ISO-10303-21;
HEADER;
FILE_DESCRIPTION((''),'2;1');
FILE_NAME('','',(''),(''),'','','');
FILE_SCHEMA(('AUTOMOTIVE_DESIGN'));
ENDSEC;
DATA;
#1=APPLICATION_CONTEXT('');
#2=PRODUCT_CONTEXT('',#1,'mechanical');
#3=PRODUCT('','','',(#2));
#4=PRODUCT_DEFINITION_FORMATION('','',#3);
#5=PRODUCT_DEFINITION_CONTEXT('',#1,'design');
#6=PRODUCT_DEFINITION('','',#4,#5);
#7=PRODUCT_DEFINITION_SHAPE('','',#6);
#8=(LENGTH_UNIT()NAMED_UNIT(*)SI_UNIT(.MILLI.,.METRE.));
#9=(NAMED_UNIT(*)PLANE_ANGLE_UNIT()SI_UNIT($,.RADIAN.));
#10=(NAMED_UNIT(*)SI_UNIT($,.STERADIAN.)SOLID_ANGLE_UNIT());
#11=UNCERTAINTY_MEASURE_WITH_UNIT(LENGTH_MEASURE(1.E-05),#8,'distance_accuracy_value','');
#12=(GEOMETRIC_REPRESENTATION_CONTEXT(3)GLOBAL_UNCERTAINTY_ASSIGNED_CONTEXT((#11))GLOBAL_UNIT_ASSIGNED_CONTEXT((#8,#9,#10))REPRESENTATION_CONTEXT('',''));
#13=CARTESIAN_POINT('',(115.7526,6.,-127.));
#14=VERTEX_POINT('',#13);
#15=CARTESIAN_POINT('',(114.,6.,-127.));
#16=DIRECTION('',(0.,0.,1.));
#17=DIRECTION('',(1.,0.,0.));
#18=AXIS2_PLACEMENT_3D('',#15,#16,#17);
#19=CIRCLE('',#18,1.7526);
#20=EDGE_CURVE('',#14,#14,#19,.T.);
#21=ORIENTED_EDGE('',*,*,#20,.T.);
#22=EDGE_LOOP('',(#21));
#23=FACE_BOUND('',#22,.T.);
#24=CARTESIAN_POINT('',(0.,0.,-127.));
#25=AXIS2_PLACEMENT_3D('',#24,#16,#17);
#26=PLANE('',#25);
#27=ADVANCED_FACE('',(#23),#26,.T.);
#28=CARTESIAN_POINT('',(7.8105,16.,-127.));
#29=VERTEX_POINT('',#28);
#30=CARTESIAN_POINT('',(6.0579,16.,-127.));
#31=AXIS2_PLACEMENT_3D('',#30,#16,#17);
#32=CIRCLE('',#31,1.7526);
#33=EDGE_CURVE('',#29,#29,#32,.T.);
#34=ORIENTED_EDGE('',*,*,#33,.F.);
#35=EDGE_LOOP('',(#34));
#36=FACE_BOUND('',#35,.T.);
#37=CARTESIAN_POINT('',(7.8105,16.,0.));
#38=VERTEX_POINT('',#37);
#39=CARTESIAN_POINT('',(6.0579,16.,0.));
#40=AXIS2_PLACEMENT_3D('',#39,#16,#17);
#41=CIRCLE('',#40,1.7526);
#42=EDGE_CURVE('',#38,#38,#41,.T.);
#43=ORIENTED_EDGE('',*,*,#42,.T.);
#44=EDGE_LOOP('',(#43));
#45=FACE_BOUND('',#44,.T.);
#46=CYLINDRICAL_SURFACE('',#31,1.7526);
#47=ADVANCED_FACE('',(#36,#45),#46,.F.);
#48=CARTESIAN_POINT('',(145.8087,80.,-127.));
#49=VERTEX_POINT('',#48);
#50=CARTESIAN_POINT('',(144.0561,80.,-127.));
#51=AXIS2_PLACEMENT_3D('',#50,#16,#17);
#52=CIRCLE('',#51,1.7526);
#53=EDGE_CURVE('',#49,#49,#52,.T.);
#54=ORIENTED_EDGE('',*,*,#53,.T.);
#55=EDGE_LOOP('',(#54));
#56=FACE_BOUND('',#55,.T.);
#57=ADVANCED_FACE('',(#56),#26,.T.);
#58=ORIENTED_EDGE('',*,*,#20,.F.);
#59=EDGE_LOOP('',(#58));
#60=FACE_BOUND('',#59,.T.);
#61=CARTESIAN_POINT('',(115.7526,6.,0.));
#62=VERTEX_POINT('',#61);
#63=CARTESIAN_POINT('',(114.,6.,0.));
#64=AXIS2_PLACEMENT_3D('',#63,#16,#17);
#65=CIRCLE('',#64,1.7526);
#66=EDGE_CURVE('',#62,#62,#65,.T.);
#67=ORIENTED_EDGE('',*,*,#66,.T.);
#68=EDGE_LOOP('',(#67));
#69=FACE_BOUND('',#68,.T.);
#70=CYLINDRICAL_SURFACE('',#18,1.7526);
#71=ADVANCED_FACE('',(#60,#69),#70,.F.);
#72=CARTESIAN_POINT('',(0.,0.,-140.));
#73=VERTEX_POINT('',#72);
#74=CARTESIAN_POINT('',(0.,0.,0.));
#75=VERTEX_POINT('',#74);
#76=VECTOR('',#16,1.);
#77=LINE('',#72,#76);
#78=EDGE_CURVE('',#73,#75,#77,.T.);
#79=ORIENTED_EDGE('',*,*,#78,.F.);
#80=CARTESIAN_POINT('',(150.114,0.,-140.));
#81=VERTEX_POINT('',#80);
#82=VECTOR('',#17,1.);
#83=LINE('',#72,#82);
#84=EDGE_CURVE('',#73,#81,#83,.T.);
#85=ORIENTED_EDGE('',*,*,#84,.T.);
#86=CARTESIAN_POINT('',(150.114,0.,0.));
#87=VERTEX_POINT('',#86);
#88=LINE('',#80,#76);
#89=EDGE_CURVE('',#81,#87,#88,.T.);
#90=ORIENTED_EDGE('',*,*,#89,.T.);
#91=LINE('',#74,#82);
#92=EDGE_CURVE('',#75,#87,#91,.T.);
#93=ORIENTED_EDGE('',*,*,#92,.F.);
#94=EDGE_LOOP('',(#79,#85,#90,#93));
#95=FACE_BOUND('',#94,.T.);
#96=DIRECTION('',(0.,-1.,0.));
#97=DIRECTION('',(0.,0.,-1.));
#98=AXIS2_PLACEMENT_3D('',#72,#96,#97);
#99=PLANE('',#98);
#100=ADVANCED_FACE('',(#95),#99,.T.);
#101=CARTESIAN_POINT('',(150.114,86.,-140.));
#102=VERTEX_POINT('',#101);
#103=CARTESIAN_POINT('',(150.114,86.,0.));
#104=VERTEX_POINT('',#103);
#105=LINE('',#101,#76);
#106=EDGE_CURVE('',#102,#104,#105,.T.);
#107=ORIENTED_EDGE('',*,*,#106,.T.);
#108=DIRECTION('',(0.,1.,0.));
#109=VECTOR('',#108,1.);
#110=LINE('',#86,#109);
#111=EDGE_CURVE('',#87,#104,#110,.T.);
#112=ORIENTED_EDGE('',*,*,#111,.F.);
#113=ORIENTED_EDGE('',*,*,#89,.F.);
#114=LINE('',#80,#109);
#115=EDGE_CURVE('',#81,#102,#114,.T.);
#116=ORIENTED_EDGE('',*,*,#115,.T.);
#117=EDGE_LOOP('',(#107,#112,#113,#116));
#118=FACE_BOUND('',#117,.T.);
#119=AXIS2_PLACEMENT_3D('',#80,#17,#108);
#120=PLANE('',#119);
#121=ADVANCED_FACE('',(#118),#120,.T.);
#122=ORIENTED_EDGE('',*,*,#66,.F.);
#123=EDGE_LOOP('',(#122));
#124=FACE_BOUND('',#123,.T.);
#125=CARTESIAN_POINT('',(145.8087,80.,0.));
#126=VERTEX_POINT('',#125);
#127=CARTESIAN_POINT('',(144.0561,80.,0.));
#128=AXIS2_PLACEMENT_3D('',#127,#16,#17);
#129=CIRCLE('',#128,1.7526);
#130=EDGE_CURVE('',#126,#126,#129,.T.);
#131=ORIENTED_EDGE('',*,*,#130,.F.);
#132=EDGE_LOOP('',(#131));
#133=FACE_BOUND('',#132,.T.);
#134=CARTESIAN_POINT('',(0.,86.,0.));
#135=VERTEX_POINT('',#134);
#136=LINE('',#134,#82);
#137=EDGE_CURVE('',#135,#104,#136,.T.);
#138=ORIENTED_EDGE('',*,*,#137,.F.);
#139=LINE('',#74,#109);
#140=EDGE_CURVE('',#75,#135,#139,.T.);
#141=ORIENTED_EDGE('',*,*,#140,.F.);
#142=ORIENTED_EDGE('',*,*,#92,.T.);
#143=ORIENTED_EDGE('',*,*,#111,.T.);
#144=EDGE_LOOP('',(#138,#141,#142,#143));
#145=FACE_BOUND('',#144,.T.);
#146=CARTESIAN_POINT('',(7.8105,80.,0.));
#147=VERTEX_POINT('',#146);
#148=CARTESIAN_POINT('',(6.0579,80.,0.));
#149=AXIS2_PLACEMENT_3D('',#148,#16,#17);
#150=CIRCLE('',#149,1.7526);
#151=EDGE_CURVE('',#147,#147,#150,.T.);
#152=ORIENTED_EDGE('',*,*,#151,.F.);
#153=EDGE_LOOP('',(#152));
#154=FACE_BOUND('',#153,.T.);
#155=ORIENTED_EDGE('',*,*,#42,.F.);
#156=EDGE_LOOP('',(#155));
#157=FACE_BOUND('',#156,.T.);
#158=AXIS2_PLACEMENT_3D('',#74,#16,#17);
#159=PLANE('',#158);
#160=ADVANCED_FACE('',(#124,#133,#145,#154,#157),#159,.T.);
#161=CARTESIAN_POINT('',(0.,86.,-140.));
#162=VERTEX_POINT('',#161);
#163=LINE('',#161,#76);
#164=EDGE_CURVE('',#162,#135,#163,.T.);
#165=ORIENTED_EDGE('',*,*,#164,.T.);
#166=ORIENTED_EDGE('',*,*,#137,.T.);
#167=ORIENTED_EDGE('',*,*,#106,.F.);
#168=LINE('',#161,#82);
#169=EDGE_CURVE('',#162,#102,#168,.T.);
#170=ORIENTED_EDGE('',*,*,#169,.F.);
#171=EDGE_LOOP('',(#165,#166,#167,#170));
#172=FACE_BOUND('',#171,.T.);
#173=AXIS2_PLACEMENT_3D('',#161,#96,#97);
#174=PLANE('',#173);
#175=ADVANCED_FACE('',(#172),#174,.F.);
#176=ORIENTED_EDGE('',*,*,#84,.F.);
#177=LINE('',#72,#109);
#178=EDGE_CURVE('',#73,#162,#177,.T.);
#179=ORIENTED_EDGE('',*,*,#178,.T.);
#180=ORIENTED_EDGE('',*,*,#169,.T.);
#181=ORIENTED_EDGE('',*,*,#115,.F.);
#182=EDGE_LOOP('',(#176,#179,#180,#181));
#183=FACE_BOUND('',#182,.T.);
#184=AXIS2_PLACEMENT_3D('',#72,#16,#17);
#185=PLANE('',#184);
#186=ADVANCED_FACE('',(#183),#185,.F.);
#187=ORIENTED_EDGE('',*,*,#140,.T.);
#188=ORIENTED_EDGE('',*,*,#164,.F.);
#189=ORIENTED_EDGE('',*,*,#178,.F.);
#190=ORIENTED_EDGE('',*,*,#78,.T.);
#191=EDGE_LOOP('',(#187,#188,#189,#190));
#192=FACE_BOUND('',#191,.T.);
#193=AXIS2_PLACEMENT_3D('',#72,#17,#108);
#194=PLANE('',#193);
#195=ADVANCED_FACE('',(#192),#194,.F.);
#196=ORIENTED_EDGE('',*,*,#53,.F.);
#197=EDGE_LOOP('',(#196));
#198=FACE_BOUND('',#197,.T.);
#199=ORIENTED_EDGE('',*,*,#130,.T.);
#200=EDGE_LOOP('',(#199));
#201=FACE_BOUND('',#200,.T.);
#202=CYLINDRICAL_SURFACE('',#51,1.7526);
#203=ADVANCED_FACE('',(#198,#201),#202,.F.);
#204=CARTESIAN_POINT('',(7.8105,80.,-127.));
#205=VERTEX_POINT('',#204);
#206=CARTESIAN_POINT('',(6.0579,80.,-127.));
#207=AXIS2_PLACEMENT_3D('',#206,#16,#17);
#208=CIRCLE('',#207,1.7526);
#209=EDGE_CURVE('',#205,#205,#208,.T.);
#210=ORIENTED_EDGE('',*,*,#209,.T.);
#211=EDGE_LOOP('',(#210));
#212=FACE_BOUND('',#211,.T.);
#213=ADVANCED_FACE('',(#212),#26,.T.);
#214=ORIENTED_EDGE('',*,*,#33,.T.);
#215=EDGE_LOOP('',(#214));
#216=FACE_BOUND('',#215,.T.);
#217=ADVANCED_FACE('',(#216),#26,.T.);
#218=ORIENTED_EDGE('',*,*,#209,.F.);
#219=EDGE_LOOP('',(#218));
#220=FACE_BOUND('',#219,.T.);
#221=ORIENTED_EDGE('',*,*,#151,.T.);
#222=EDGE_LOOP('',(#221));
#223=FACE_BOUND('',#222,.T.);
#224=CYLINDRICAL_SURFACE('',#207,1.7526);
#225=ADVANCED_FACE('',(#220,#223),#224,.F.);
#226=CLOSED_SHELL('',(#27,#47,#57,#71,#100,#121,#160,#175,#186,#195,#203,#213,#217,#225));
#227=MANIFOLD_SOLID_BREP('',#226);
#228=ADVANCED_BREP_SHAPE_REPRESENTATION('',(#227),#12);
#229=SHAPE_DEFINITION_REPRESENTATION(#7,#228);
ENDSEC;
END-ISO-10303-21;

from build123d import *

# Parameters (mm, degrees)
SKETCH_1_W          = 150.114
SKETCH_1_H          = 86
EXTRUDE_1_DEPTH     = 140
SKETCH_1_3_R        = 1.7526
CUT_EXTRUDE_1_DEPTH = 127


with BuildPart() as part:
    # 스케치1 → 보스-돌출1 (new body)
    with BuildSketch(Plane.XY):
        with Locations((75.057, 43)):
            Rectangle(SKETCH_1_W, SKETCH_1_H)
    extrude(amount=-EXTRUDE_1_DEPTH)

    # 스케치1<3> → 컷-돌출1 (cut)
    with BuildSketch(Plane.XY):
        with Locations((6.0579, 80)):
            Circle(SKETCH_1_3_R)
        with Locations((144.0561, 80)):
            Circle(SKETCH_1_3_R)
        with Locations((6.0579, 16)):
            Circle(SKETCH_1_3_R)
        with Locations((114, 6)):
            Circle(SKETCH_1_3_R)
    extrude(amount=-CUT_EXTRUDE_1_DEPTH, mode=Mode.SUBTRACT)


solid = part.part
